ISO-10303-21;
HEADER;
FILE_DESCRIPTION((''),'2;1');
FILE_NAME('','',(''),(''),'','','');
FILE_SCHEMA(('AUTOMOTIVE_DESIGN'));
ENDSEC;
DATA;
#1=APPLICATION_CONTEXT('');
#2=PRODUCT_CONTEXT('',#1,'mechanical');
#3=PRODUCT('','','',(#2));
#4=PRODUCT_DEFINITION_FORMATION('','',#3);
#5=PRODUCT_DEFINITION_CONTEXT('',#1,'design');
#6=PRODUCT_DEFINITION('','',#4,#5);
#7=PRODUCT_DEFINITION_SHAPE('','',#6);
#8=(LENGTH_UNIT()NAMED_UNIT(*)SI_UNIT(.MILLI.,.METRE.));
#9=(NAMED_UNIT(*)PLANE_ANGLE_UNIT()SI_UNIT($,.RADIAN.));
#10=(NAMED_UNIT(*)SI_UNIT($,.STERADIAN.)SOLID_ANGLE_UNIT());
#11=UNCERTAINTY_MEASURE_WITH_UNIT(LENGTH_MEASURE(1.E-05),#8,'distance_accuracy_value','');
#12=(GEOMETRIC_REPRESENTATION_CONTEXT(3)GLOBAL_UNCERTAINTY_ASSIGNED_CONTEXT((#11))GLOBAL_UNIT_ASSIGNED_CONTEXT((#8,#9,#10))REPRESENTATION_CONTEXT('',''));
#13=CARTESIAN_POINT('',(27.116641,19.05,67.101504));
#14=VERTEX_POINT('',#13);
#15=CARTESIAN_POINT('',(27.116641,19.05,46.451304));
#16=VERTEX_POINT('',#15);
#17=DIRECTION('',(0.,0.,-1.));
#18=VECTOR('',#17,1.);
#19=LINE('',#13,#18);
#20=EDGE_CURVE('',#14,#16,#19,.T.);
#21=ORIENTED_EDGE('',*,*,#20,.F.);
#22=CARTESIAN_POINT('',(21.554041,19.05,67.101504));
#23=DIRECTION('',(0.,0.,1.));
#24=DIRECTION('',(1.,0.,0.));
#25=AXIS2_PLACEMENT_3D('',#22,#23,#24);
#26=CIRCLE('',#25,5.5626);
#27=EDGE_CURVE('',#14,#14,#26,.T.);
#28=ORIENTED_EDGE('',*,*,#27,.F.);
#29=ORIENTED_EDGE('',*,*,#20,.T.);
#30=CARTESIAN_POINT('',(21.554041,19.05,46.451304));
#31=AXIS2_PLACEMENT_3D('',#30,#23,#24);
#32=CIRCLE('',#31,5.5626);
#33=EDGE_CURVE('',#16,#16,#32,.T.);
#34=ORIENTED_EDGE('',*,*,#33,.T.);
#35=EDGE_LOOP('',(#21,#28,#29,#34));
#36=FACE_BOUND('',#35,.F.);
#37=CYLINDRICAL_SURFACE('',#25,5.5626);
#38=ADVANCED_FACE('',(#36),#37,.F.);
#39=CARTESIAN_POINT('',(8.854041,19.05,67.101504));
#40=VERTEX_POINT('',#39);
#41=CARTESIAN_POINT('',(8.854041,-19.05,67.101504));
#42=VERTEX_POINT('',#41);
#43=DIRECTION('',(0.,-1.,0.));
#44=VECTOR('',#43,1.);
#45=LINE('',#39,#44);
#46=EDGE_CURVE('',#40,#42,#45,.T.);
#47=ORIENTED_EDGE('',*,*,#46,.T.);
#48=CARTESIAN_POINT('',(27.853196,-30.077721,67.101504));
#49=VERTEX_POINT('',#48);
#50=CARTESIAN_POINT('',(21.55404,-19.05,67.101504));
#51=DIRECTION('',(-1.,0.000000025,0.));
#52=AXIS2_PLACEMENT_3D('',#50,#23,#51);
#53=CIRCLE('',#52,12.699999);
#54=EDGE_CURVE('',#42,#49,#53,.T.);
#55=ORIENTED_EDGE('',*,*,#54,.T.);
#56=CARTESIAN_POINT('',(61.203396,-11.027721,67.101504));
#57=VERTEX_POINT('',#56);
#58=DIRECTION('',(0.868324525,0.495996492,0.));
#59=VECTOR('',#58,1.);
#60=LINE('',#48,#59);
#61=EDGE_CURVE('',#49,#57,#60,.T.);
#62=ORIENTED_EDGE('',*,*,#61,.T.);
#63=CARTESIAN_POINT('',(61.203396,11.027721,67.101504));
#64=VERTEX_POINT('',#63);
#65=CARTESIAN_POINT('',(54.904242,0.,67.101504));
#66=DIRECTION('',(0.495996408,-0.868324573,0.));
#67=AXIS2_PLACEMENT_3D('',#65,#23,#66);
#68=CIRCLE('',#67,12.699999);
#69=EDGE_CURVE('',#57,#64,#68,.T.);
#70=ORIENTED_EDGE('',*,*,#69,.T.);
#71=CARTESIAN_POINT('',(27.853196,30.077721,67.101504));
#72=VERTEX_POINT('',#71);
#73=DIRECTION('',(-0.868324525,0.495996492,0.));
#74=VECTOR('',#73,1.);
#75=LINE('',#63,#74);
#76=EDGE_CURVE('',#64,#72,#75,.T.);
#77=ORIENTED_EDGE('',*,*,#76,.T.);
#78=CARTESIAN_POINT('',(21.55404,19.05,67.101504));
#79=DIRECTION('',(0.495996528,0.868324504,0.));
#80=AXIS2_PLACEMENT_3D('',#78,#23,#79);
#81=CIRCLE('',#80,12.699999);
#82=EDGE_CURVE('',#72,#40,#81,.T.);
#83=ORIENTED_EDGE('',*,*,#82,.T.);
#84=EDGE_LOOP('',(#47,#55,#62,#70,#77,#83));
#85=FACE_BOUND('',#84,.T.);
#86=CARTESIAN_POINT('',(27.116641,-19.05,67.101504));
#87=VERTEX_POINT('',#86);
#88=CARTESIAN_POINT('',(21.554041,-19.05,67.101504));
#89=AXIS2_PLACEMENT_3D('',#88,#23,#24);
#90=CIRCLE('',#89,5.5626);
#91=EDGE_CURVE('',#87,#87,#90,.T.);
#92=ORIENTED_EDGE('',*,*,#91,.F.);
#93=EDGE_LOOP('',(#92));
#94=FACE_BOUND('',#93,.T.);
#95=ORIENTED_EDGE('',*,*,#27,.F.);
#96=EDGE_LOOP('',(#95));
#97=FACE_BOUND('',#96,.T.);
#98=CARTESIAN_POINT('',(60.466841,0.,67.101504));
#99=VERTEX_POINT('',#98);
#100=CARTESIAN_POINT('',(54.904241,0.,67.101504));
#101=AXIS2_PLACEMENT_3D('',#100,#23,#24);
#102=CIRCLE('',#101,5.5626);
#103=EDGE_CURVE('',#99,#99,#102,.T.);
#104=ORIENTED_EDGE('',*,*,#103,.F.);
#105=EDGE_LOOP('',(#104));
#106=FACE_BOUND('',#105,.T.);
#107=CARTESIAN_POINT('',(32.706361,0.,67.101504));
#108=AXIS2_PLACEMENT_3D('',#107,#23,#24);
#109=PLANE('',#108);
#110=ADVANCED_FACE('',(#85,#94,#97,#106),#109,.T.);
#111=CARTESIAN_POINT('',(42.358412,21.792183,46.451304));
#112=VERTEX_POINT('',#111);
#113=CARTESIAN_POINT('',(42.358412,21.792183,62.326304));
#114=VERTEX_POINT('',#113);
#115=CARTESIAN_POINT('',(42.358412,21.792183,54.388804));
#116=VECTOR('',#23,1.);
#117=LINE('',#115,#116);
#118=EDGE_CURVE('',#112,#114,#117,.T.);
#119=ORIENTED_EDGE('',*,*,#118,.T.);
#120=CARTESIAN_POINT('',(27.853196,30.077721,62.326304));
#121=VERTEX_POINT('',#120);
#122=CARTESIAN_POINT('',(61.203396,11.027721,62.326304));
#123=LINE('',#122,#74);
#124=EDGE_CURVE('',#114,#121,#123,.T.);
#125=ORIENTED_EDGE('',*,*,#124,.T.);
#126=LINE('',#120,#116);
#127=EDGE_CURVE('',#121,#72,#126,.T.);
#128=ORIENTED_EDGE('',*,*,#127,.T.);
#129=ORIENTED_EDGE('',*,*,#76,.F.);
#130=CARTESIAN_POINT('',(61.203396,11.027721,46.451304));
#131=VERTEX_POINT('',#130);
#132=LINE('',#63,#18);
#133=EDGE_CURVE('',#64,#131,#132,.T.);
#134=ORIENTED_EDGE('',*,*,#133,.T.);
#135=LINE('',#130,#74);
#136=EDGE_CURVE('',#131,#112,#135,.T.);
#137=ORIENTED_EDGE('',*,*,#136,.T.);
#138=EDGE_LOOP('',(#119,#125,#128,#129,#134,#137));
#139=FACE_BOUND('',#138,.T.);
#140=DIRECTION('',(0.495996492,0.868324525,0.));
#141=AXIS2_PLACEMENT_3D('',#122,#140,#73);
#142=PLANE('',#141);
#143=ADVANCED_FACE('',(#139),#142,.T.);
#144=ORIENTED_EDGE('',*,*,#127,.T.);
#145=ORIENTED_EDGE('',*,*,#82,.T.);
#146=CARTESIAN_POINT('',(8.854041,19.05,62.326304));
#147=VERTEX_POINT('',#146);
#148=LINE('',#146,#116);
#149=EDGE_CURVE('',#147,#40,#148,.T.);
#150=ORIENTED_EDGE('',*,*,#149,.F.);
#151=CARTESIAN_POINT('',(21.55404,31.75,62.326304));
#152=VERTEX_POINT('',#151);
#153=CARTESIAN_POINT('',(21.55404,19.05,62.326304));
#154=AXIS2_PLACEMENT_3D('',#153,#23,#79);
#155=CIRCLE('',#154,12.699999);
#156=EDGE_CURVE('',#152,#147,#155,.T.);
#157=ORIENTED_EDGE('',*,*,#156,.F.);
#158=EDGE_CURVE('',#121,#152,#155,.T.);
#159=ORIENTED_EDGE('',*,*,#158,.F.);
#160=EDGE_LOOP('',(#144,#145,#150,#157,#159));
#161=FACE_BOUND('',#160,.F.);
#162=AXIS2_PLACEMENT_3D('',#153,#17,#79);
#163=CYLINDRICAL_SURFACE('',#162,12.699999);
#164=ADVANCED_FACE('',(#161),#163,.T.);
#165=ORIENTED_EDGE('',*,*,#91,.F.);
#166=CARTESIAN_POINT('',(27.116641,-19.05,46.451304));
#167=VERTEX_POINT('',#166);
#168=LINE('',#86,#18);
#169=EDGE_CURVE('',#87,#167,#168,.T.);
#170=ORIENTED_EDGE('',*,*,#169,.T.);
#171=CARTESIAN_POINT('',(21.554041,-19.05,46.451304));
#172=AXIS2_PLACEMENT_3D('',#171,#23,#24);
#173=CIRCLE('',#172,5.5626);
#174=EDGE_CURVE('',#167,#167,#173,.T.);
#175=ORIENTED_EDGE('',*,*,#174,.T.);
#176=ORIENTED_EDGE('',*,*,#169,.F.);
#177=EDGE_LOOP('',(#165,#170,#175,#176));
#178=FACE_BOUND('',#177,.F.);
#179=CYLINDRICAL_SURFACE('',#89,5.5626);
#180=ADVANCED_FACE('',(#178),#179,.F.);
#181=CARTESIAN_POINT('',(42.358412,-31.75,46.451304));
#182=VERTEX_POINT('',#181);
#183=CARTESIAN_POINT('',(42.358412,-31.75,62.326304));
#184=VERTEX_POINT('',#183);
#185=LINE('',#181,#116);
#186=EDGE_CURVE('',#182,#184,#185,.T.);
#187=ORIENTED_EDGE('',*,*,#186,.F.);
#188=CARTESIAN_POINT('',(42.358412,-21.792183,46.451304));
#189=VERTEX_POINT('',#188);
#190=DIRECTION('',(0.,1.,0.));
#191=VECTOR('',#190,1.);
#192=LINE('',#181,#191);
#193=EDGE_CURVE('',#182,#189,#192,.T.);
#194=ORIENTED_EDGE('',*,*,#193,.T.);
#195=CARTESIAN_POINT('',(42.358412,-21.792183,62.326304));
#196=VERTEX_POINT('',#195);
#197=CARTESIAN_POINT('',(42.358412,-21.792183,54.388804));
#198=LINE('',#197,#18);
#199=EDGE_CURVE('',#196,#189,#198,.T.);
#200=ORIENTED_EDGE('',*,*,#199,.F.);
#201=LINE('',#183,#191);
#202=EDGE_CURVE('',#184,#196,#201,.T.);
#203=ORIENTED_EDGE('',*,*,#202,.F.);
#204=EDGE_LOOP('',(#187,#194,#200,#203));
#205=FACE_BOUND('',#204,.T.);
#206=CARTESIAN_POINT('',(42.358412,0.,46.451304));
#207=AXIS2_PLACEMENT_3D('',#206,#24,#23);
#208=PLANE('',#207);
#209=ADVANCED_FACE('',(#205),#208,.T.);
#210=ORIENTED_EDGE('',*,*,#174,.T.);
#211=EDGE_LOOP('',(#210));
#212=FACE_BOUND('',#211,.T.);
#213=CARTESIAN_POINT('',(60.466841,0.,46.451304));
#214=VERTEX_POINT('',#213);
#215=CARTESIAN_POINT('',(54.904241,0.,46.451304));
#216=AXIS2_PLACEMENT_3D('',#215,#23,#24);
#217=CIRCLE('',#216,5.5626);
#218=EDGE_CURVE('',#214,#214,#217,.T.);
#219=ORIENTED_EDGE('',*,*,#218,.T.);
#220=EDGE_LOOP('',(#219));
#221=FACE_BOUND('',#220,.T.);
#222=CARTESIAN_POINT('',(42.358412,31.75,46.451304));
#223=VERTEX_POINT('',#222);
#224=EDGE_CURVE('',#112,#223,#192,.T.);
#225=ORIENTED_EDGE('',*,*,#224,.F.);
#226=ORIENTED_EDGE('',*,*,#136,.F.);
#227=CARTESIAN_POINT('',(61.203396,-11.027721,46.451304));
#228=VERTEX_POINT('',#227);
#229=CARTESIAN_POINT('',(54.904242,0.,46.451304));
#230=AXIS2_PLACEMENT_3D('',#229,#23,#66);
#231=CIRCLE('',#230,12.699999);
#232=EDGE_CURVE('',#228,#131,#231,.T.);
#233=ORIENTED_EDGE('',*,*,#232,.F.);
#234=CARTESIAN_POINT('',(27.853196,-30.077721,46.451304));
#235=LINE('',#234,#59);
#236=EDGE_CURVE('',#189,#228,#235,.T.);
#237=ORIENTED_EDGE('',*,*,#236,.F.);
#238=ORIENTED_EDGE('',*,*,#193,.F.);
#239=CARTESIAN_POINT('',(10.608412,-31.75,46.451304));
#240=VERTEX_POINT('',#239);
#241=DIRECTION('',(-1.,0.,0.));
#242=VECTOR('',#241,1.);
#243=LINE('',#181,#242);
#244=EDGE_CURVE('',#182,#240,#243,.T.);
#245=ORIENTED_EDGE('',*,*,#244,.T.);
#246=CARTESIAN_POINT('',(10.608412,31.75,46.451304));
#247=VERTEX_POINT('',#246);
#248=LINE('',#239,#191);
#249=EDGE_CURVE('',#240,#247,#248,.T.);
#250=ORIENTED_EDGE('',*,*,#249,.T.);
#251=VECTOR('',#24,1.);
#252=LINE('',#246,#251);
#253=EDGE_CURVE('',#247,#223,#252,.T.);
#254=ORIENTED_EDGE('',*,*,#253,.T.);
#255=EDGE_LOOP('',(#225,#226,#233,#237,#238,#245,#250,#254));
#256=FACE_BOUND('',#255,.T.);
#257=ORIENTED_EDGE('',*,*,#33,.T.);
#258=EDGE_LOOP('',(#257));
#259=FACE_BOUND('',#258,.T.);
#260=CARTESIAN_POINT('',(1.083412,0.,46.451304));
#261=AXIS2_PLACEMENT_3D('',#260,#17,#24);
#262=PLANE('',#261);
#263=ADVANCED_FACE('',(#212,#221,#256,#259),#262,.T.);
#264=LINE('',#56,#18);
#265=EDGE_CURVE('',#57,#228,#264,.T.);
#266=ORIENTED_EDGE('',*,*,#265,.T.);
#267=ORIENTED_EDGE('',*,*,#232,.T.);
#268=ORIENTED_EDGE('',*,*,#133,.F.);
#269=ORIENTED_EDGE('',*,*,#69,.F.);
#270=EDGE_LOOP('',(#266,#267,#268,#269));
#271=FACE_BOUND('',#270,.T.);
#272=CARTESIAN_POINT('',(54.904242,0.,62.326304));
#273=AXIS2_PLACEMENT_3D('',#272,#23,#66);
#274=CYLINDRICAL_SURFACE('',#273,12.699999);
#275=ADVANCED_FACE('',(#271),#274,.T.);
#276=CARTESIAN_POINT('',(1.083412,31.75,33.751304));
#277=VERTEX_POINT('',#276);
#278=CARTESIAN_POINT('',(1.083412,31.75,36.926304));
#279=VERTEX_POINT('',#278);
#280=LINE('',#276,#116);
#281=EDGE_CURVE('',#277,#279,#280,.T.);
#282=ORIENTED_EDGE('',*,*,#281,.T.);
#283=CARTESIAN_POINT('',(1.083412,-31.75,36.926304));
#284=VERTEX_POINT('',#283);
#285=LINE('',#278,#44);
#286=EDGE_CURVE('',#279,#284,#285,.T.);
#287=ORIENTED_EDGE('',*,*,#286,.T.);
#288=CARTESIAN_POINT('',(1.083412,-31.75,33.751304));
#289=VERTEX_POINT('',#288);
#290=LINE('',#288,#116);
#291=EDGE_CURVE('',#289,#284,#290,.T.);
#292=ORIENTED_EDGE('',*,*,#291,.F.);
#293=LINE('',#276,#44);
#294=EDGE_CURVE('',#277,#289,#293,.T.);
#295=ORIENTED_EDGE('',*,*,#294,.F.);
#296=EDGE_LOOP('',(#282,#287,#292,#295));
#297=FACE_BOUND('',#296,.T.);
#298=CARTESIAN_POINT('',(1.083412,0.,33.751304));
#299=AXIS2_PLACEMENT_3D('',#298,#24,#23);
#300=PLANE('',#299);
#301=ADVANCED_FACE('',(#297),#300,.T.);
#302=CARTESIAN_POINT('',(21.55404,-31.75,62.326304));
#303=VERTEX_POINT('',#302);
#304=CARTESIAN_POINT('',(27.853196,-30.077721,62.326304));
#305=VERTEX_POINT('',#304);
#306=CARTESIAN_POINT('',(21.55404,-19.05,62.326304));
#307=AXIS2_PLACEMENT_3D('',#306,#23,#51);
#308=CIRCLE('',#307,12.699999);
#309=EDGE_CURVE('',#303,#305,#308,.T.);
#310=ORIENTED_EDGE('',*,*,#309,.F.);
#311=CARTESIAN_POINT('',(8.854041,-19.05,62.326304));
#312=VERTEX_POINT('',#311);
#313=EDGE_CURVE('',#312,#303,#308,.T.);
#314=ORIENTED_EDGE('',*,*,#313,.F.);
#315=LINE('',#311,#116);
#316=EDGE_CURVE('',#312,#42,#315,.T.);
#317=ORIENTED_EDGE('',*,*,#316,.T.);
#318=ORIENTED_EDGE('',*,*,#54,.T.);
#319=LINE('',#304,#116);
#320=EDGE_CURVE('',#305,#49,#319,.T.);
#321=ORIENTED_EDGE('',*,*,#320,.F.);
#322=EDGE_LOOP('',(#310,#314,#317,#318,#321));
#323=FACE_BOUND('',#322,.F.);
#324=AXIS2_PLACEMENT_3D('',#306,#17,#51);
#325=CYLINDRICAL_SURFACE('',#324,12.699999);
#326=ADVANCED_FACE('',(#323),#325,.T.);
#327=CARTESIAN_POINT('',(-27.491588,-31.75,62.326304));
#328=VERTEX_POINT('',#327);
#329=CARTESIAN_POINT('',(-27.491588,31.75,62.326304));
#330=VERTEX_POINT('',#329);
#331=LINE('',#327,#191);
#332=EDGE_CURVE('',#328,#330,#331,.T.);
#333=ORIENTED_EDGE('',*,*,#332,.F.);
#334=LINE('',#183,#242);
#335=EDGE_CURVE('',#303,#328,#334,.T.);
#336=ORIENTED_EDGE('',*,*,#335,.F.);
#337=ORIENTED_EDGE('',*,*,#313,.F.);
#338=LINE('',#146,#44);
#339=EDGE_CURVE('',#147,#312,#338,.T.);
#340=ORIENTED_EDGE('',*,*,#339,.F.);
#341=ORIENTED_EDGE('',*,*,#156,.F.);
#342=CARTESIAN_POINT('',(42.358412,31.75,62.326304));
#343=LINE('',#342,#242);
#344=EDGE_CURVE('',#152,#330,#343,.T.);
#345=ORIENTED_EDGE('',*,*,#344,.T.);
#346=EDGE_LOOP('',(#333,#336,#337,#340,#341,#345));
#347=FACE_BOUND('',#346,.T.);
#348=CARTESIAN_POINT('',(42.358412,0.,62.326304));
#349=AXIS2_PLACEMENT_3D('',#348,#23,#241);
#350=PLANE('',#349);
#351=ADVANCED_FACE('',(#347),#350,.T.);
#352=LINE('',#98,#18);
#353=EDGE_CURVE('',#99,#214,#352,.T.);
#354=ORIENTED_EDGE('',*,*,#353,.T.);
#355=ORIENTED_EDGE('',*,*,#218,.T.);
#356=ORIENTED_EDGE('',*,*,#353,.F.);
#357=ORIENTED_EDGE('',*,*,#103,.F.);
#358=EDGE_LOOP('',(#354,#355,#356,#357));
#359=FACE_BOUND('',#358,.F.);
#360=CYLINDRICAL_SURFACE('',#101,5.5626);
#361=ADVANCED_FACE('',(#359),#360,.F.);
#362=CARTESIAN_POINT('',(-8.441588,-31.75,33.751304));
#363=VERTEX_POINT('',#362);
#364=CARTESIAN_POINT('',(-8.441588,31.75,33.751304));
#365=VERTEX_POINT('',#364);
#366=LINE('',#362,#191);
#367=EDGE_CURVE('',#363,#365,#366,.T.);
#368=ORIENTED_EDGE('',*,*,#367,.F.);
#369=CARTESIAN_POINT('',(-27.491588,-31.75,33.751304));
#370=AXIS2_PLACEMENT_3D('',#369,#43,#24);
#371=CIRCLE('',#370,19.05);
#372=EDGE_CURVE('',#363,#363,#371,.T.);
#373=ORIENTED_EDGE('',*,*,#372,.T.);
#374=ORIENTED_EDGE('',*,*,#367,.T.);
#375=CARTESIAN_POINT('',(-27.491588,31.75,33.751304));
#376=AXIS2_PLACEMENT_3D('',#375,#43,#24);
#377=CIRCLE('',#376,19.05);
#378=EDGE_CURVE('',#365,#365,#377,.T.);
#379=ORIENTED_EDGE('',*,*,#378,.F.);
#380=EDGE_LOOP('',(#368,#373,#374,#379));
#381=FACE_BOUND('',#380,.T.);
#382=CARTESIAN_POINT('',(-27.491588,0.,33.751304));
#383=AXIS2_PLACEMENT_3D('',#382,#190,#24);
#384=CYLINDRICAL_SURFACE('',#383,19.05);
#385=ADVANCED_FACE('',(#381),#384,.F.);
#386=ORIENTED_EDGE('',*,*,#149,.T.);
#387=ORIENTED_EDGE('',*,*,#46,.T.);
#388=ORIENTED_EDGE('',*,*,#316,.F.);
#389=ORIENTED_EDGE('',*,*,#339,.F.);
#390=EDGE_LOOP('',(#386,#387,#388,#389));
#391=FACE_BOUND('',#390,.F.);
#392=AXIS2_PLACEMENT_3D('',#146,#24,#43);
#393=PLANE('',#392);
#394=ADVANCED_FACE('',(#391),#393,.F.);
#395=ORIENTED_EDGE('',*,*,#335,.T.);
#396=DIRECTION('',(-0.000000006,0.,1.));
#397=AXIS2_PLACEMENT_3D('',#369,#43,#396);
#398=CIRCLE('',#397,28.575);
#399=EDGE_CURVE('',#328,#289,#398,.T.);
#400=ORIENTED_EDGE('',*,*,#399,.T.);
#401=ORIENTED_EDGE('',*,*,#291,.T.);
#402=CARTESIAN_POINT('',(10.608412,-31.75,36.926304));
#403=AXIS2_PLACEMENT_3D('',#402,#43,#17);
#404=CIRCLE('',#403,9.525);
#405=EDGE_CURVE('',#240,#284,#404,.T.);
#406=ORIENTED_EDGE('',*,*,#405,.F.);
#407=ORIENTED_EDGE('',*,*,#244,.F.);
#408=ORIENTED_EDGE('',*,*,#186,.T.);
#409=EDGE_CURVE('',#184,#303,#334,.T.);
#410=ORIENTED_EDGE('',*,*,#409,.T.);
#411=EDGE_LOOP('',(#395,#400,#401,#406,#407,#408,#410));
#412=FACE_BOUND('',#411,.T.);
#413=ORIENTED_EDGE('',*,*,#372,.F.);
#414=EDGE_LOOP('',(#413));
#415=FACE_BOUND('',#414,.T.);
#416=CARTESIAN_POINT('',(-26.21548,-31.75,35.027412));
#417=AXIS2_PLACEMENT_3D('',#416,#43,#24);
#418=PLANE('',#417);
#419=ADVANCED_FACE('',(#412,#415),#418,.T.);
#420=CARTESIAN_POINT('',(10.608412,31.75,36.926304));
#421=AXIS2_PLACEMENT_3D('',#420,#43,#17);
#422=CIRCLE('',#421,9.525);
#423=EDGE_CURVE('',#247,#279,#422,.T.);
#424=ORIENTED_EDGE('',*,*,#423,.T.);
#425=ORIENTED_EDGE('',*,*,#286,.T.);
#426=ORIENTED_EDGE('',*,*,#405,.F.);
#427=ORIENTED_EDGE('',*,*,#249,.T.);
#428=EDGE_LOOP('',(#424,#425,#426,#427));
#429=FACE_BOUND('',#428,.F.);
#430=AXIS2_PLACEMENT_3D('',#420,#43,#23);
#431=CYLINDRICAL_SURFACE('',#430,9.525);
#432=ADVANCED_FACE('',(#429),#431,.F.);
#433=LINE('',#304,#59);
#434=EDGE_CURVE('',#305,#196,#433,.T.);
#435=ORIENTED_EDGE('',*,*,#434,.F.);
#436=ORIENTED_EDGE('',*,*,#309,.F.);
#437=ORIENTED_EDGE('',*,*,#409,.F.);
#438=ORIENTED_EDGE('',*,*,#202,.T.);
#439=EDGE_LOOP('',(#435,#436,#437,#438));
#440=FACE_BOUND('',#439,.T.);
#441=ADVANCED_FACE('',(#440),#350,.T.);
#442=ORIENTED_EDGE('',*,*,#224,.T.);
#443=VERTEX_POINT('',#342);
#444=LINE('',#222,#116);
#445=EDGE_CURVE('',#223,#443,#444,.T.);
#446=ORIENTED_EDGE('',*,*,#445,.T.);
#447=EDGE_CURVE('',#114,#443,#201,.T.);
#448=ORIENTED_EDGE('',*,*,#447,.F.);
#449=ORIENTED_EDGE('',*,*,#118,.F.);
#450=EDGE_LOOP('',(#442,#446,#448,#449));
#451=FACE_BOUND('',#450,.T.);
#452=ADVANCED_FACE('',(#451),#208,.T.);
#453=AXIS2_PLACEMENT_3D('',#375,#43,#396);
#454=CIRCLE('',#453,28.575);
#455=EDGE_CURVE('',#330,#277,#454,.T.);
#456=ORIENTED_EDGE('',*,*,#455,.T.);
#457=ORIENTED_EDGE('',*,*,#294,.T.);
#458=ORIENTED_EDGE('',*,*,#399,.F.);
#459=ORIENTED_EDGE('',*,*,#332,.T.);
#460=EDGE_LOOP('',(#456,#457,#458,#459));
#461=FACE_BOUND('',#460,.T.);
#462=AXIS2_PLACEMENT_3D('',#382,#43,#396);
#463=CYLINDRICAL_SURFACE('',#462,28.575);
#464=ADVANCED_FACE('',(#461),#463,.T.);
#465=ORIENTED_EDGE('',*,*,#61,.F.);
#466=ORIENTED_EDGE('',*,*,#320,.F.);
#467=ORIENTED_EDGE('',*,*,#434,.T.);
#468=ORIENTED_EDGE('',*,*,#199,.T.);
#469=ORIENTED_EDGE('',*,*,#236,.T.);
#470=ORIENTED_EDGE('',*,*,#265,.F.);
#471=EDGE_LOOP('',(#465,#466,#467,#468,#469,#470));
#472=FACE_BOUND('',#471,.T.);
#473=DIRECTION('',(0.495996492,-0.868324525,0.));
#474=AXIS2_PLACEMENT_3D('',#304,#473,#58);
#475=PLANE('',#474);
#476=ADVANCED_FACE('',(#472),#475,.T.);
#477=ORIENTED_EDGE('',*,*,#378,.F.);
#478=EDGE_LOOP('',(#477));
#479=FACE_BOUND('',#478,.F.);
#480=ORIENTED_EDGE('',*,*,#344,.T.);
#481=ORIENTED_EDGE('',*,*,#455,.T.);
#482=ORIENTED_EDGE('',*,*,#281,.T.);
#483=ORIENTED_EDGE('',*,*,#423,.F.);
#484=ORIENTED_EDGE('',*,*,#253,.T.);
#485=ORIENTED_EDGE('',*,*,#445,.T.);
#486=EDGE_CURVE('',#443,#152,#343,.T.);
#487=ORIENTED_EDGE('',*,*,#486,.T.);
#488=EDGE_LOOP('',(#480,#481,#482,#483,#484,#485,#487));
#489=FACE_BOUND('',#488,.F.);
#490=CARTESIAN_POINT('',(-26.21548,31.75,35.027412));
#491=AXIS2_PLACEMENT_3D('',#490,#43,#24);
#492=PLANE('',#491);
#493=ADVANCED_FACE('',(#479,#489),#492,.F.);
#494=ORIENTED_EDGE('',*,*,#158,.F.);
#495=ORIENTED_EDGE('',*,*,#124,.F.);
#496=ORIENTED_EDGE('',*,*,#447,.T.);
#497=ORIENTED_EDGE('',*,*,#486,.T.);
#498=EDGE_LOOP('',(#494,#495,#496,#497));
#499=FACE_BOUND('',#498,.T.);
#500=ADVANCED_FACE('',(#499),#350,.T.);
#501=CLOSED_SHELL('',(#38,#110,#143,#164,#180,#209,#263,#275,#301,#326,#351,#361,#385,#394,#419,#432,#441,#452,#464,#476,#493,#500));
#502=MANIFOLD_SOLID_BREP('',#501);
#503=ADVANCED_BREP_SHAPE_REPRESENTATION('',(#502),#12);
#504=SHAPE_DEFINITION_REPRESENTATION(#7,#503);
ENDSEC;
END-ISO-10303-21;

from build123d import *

# Parameters (mm, degrees)
F0_R          = 19.05
F1_DEPTH      = 31.75
F2_R          = 9.525
F4_DEPTH      = 4.7752
F4_DEPTH_BACK = 15.875
F5_R          = 5.5626
F6_DEPTH      = 25.4


with BuildPart() as f1:
    # F0 (on Front) → F1 (new body, symmetric)
    with BuildSketch(Plane.XZ):
        with BuildLine():
            ThreePointArc((-27.491588, 62.326304), (-47.697164, 13.545728), (1.083412, 33.751304))
            ThreePointArc((1.083412, 33.751304), (-7.286012, 53.95688), (-27.491588, 62.326304))
        make_face()
        with Locations((-27.491588, 33.751304)):
            Circle(F0_R, mode=Mode.SUBTRACT)
        with BuildLine():
            ThreePointArc((-27.491588, 62.326304), (-7.286012, 53.95688), (1.083412, 33.751304))
            Line((1.083412, 33.751304), (1.083412, 46.451304))
            Line((1.083412, 46.451304), (42.358412, 46.451304))
            Line((42.358412, 46.451304), (42.358412, 62.326304))
            Line((42.358412, 62.326304), (-27.491588, 62.326304))
        make_face()
    extrude(amount=F1_DEPTH, both=True)

    # F2
    f2_edges = [f1.edges().sort_by_distance(p)[0] for p in [
        (1.083412, 0, 46.451304),
    ]]
    fillet(f2_edges, radius=F2_R)

    # F3 (on face) → F4 (join, two sides)
    with BuildSketch(Plane.XY.offset(62.326304)) as f4_sk:
        with BuildLine():
            ThreePointArc((27.853196, 30.077721), (15.178669, 30.033835), (8.854041, 19.05))
            Line((8.854041, 19.05), (8.854041, -19.05))
            ThreePointArc((8.854041, -19.05), (15.178669, -30.033835), (27.853196, -30.077721))
            Line((27.853196, -30.077721), (61.203396, -11.027721))
            ThreePointArc((61.203396, -11.027721), (67.604241, 0), (61.203396, 11.027721))
            Line((61.203396, 11.027721), (27.853196, 30.077721))
        make_face()
    extrude(amount=F4_DEPTH)
    extrude(f4_sk.sketch, amount=-F4_DEPTH_BACK)

    # F5 (on face) → F6 (cut)
    with BuildSketch(Plane.XY.offset(67.101504)):
        with Locations((21.554041, 19.05)):
            Circle(F5_R)
        with Locations((21.554041, -19.05)):
            Circle(F5_R)
        with Locations((54.904241, 0)):
            Circle(F5_R)
    extrude(amount=-F6_DEPTH, mode=Mode.SUBTRACT)


solid = f1.part
